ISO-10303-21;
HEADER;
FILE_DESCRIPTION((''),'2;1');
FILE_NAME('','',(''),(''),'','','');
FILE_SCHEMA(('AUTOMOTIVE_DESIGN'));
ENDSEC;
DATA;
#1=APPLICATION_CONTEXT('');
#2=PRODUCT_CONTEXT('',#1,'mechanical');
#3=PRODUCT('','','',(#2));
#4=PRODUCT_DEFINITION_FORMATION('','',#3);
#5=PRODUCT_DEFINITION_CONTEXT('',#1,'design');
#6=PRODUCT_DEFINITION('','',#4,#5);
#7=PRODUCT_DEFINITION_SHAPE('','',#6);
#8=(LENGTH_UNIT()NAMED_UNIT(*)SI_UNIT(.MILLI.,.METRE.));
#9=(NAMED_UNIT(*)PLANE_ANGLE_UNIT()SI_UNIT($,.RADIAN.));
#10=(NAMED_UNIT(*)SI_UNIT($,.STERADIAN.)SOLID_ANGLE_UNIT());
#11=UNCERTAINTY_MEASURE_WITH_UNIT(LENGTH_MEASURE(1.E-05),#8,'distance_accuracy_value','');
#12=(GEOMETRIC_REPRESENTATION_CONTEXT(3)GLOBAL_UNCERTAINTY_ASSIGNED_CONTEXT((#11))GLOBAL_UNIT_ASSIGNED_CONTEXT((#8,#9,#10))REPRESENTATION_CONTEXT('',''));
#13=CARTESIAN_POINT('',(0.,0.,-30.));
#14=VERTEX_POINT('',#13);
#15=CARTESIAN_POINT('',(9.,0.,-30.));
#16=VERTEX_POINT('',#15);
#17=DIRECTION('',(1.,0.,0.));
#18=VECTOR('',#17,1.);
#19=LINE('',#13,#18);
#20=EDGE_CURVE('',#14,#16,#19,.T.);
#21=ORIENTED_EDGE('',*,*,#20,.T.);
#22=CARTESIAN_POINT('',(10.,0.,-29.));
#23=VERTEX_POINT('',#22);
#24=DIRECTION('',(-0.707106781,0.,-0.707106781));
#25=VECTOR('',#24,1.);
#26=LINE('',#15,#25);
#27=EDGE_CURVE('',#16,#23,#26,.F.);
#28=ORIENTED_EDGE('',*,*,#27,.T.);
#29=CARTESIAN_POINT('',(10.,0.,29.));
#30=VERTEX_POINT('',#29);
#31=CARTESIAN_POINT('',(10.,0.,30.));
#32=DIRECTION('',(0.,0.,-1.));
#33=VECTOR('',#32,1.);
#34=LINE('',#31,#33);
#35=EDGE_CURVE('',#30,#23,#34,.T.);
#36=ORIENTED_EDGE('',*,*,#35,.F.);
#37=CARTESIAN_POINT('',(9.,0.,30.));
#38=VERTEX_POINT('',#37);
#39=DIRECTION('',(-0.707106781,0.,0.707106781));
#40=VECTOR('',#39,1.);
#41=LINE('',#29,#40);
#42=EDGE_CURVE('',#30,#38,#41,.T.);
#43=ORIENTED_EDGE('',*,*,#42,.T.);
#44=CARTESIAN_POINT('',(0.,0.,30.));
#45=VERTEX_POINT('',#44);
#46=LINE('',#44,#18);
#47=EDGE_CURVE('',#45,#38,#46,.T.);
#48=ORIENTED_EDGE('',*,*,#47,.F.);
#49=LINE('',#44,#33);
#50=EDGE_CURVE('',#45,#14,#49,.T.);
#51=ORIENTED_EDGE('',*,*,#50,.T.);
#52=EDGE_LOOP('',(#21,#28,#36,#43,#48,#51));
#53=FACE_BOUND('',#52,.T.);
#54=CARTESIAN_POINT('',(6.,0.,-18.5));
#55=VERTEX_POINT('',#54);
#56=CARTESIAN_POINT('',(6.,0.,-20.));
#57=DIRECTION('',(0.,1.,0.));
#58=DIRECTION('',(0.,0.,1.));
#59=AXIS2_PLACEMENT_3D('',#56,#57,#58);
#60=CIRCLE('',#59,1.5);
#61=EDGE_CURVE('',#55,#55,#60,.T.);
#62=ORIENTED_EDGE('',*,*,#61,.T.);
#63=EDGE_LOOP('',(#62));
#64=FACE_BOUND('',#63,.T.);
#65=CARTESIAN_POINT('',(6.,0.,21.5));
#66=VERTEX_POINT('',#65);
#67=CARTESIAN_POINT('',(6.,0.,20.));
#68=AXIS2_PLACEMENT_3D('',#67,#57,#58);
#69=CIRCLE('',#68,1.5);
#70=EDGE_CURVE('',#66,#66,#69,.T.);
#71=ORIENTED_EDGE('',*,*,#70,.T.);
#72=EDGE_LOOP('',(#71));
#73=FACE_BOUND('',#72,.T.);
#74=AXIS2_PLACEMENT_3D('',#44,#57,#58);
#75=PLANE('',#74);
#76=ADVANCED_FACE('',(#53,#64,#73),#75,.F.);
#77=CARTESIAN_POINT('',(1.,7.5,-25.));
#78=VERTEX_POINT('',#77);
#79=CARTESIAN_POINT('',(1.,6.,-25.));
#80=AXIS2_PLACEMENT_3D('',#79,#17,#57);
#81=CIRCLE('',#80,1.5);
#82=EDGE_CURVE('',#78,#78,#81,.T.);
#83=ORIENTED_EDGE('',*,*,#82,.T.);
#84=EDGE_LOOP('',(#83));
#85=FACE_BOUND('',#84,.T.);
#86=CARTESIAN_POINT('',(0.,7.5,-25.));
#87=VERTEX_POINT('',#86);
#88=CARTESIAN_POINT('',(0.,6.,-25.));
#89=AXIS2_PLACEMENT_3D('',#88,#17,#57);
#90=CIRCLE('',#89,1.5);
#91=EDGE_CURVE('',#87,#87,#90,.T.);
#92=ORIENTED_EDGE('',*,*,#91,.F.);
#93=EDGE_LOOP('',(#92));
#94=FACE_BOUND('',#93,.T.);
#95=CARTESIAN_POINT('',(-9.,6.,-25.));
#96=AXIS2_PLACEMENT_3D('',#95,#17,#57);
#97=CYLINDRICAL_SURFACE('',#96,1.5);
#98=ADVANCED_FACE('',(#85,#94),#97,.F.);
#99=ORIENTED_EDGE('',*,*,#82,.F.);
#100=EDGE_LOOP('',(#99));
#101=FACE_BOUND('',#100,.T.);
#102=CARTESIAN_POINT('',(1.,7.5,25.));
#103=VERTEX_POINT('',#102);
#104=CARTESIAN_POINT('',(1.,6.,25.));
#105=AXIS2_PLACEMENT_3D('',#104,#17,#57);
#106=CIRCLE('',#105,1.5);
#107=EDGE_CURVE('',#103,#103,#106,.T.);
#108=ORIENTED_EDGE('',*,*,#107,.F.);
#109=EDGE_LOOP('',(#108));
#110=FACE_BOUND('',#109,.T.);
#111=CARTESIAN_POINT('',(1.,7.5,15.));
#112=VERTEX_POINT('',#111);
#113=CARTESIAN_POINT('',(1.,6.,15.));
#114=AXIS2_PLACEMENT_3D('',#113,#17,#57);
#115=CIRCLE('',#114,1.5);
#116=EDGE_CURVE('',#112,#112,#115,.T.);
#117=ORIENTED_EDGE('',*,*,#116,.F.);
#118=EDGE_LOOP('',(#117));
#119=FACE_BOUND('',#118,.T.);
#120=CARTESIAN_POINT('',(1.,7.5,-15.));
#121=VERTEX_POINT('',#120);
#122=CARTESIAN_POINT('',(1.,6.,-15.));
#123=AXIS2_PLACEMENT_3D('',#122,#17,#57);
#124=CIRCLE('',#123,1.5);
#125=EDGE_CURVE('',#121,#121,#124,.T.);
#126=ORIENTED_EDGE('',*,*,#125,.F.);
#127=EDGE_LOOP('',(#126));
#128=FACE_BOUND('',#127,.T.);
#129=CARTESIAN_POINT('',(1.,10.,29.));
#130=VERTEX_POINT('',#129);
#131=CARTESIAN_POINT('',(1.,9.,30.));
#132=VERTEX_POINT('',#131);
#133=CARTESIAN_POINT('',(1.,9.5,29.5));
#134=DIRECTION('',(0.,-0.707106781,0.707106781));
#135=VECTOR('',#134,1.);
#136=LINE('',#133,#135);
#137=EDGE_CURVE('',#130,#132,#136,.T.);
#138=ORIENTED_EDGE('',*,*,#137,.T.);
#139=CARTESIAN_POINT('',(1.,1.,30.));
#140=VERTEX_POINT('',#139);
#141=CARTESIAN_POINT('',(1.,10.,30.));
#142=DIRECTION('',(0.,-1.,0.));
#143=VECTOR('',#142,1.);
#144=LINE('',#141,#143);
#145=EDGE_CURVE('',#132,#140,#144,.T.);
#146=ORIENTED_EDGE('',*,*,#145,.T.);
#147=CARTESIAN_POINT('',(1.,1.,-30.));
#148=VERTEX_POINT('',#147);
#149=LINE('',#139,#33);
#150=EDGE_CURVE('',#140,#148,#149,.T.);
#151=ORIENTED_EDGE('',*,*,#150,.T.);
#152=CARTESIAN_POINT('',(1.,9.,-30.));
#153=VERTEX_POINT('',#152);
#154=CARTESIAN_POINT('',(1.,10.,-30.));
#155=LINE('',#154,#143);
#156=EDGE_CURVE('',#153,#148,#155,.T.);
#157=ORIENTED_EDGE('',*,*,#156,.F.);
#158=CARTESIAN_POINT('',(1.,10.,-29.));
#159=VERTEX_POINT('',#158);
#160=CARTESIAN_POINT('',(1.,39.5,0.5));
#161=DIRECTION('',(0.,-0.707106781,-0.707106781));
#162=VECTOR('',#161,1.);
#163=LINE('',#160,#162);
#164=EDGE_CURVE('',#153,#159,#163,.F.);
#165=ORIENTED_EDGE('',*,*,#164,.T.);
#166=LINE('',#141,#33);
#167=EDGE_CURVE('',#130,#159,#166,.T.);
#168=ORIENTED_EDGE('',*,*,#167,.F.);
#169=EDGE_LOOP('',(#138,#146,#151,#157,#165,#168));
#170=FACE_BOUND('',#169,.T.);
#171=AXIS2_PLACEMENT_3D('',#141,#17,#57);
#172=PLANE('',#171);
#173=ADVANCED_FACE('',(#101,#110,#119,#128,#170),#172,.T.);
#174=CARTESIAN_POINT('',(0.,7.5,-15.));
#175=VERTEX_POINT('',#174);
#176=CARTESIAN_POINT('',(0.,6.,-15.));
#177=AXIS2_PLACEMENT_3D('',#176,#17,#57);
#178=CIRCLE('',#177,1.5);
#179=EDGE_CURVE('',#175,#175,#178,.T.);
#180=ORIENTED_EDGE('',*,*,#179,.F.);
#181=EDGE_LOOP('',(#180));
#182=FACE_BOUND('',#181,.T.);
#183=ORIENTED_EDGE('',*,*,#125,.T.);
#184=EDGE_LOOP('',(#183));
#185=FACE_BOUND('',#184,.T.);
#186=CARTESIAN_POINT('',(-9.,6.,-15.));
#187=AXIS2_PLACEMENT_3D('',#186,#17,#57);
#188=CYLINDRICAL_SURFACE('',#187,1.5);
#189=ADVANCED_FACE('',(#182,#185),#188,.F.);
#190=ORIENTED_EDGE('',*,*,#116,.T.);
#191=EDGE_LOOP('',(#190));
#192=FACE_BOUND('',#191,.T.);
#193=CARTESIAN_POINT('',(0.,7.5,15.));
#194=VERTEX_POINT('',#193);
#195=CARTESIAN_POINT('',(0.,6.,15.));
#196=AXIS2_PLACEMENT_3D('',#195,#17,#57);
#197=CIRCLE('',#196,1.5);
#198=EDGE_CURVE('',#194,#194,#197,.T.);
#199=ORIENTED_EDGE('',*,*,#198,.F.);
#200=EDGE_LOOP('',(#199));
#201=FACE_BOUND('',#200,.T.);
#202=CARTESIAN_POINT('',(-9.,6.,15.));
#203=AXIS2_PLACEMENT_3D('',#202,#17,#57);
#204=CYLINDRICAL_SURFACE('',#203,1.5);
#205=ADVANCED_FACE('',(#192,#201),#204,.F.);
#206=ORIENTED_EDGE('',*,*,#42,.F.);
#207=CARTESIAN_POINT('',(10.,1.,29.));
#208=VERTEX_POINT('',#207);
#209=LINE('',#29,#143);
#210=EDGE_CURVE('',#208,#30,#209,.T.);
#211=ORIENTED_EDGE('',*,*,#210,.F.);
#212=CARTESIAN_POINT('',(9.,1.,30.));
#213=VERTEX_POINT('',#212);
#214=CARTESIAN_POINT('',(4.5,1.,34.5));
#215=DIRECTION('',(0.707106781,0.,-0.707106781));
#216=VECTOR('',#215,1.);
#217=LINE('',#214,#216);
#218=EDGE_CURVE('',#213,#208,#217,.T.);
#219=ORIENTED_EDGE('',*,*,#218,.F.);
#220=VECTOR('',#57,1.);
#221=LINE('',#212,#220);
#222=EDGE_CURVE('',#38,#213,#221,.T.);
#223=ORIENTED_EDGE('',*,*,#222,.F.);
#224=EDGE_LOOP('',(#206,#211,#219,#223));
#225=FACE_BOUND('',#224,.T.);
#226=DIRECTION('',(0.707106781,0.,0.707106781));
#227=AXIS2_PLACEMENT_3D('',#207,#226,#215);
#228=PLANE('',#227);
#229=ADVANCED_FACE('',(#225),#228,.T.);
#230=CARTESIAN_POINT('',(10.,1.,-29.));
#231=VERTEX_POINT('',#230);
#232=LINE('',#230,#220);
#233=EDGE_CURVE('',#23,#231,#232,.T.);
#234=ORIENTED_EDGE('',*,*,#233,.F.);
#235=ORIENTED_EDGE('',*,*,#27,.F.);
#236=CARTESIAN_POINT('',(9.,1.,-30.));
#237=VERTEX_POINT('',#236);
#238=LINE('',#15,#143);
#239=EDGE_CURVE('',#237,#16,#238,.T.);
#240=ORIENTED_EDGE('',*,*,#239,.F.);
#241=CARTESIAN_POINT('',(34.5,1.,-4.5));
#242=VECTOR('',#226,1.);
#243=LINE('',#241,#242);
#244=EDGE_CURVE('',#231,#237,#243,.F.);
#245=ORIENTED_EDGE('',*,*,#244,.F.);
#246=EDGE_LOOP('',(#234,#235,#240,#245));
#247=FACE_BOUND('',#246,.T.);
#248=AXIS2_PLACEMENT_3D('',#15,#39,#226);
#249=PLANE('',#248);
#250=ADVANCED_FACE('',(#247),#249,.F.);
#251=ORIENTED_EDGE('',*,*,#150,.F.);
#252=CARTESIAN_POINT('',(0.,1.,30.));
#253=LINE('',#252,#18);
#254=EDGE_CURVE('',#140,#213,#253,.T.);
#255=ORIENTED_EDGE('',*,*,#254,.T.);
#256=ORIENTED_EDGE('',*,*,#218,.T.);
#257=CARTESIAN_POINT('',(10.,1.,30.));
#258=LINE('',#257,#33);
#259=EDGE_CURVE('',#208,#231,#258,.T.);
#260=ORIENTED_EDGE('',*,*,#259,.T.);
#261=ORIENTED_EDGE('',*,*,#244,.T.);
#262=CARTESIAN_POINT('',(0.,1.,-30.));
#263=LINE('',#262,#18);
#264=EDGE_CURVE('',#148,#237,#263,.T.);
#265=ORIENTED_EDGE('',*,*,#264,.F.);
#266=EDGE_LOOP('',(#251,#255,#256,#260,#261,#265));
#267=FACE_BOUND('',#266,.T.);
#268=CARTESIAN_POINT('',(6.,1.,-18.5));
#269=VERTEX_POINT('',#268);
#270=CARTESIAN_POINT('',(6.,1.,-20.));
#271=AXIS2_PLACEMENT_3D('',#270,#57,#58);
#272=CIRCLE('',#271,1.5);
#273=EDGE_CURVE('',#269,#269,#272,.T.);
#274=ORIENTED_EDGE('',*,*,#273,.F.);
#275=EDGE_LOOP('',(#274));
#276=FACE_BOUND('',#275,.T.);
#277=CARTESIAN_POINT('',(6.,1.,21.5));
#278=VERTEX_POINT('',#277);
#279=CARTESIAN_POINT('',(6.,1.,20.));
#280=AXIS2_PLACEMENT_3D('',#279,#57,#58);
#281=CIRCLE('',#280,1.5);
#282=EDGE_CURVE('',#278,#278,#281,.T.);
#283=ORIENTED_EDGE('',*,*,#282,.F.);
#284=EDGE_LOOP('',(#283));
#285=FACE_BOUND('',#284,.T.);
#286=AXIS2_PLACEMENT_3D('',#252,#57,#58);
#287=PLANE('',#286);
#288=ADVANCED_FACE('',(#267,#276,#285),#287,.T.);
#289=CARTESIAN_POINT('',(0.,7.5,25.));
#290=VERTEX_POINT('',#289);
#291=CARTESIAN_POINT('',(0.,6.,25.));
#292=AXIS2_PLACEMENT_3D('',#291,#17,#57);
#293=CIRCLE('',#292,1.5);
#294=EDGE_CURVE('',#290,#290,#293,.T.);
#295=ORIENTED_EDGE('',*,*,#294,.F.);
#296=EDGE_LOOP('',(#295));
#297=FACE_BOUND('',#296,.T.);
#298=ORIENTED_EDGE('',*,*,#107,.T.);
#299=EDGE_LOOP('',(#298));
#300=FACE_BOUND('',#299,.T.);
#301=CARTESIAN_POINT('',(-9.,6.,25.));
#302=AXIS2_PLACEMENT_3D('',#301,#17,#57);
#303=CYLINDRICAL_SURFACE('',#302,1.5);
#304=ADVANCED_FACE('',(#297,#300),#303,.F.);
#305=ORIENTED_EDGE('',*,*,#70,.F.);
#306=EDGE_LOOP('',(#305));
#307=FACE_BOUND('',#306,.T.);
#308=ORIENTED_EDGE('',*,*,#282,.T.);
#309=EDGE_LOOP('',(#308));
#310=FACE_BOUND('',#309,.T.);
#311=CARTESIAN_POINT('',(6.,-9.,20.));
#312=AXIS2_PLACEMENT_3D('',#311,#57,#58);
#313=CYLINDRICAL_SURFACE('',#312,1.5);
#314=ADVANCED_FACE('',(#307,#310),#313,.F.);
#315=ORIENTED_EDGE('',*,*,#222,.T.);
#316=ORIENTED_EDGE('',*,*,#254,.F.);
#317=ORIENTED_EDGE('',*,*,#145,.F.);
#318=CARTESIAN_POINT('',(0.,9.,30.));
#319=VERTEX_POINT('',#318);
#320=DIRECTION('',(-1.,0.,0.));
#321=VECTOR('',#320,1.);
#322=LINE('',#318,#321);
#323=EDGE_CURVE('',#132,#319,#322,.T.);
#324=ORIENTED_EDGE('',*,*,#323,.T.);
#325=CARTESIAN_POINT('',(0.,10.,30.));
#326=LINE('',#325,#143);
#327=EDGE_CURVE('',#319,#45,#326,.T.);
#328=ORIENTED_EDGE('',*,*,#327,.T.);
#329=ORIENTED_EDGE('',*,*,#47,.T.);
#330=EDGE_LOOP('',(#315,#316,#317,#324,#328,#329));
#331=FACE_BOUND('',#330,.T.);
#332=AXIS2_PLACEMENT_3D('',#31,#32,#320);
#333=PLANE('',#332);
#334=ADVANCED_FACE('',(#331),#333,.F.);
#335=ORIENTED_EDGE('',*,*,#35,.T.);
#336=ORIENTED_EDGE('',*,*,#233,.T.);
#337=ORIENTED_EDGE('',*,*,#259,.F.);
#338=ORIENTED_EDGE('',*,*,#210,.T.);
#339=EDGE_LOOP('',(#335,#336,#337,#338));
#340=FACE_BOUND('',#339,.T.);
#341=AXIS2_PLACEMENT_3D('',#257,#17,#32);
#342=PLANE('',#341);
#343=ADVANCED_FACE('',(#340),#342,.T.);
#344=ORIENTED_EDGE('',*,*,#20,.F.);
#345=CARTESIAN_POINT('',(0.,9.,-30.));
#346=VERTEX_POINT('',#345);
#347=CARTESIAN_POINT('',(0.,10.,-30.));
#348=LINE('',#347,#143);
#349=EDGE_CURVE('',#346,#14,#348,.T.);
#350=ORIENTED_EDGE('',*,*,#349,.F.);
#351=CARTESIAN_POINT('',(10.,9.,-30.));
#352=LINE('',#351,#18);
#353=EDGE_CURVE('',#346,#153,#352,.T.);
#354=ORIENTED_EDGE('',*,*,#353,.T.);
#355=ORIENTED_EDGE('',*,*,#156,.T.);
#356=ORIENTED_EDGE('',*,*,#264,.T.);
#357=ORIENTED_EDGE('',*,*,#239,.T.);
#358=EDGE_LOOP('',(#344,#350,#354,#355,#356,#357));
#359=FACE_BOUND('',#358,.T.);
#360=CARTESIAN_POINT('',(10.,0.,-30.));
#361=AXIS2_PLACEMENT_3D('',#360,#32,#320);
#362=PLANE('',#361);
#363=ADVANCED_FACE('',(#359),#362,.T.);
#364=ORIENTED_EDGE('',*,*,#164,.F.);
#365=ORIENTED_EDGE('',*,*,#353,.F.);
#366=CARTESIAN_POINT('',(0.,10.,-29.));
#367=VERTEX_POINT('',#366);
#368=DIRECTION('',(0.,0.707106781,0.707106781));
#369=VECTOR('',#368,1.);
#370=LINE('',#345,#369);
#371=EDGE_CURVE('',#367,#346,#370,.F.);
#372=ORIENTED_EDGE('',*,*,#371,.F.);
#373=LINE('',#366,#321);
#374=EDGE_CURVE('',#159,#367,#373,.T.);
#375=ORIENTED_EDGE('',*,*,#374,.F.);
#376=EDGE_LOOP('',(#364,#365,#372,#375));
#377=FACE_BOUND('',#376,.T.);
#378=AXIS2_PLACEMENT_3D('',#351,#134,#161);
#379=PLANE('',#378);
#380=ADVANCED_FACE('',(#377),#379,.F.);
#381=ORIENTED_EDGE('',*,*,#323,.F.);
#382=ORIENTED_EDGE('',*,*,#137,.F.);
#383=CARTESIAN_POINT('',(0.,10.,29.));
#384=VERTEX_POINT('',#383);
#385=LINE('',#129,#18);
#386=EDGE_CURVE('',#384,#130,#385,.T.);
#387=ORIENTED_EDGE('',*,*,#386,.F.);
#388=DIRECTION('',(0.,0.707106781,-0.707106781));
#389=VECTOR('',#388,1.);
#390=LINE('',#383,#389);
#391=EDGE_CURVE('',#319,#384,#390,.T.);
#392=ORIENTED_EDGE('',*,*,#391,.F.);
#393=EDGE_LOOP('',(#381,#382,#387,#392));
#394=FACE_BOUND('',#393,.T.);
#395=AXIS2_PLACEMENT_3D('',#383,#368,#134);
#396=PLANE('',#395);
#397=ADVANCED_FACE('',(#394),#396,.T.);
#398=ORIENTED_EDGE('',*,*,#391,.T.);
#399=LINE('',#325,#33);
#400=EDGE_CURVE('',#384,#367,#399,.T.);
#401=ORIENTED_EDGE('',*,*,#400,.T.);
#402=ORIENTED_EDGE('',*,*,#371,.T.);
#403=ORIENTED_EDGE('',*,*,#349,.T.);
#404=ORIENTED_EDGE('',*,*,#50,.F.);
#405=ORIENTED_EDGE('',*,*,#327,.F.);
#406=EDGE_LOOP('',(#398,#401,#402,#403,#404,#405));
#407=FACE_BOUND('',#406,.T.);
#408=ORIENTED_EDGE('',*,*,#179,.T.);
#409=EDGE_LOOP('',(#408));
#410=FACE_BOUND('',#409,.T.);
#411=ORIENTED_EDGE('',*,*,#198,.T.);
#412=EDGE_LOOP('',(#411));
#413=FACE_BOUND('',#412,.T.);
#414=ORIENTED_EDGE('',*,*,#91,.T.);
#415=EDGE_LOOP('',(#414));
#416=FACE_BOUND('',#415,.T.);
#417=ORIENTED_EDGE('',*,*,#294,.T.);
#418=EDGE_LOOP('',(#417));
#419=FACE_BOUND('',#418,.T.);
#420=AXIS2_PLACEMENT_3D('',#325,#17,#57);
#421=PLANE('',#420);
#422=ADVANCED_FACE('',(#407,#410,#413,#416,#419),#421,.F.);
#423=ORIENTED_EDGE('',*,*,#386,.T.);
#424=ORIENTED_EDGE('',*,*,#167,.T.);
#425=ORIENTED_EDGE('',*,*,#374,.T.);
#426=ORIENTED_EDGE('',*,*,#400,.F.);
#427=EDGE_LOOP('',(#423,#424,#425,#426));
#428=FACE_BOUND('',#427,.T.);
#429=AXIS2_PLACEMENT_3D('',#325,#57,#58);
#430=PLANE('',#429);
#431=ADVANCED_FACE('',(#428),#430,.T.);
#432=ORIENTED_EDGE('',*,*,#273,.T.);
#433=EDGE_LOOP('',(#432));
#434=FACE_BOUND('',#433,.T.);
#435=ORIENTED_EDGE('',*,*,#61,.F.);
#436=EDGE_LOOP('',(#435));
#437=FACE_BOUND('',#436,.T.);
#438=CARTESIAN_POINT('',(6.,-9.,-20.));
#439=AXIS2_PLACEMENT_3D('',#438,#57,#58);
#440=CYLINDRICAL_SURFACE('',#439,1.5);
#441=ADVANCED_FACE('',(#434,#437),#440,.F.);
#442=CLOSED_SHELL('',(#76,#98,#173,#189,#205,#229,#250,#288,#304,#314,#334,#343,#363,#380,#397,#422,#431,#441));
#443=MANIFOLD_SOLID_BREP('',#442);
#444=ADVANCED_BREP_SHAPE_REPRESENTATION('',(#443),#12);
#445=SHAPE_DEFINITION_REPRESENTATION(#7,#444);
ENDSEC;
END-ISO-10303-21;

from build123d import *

# Parameters (mm, degrees)
LINEAR_AUSTRAGEN_D_NN1_DEPTH    = 30
FASE1_SIZE                      = 1
SKIZZE2_R                       = 1.5
SCHNITT_LINEAR_AUSTRAGEN1_DEPTH = 10
SKIZZE3_R                       = 1.5
SCHNITT_LINEAR_AUSTRAGEN2_DEPTH = 10


with BuildPart() as part:
    # Skizze1 → Linear-Austragen-Dünn1 (new, symmetric)
    with BuildSketch(Plane.XY):
        Polygon((0, 10), (0, 0), (10, 0), (10, 1), (1, 1), (1, 10), align=None)
    extrude(amount=LINEAR_AUSTRAGEN_D_NN1_DEPTH, both=True)

    # Fase1
    fase1_edges = [part.edges().sort_by_distance(p)[0] for p in [
        (0.5, 10, 30),
        (0.5, 10, -30),
        (10, 0.5, -30),
        (10, 0.5, 30),
    ]]
    chamfer(fase1_edges, length=FASE1_SIZE)

    # Skizze2 → Schnitt-Linear austragen1 (cut)
    with BuildSketch(Plane(origin=(1, 0, 0), x_dir=(0, 0, -1), z_dir=(1, 0, 0))):
        with Locations(Location((-15, 6, 0), (0, 0, 90))):
            Circle(SKIZZE2_R)
        with Locations(Location((15, 6, 0), (0, 0, 90))):
            Circle(SKIZZE2_R)
        with Locations(Location((-25, 6, 0), (0, 0, 90))):
            Circle(SKIZZE2_R)
        with Locations(Location((25, 6, 0), (0, 0, 90))):
            Circle(SKIZZE2_R)
    extrude(amount=-SCHNITT_LINEAR_AUSTRAGEN1_DEPTH, mode=Mode.SUBTRACT)

    # Skizze3 → Schnitt-Linear austragen2 (cut)
    with BuildSketch(Plane(origin=(0, 1, 0), x_dir=(1, 0, 0), z_dir=(0, 1, 0))):
        with Locations(Location((6, -20, 0), (0, 0, 270))):
            Circle(SKIZZE3_R)
        with Locations(Location((6, 20, 0), (0, 0, 270))):
            Circle(SKIZZE3_R)
    extrude(amount=-SCHNITT_LINEAR_AUSTRAGEN2_DEPTH, mode=Mode.SUBTRACT)


solid = part.part
